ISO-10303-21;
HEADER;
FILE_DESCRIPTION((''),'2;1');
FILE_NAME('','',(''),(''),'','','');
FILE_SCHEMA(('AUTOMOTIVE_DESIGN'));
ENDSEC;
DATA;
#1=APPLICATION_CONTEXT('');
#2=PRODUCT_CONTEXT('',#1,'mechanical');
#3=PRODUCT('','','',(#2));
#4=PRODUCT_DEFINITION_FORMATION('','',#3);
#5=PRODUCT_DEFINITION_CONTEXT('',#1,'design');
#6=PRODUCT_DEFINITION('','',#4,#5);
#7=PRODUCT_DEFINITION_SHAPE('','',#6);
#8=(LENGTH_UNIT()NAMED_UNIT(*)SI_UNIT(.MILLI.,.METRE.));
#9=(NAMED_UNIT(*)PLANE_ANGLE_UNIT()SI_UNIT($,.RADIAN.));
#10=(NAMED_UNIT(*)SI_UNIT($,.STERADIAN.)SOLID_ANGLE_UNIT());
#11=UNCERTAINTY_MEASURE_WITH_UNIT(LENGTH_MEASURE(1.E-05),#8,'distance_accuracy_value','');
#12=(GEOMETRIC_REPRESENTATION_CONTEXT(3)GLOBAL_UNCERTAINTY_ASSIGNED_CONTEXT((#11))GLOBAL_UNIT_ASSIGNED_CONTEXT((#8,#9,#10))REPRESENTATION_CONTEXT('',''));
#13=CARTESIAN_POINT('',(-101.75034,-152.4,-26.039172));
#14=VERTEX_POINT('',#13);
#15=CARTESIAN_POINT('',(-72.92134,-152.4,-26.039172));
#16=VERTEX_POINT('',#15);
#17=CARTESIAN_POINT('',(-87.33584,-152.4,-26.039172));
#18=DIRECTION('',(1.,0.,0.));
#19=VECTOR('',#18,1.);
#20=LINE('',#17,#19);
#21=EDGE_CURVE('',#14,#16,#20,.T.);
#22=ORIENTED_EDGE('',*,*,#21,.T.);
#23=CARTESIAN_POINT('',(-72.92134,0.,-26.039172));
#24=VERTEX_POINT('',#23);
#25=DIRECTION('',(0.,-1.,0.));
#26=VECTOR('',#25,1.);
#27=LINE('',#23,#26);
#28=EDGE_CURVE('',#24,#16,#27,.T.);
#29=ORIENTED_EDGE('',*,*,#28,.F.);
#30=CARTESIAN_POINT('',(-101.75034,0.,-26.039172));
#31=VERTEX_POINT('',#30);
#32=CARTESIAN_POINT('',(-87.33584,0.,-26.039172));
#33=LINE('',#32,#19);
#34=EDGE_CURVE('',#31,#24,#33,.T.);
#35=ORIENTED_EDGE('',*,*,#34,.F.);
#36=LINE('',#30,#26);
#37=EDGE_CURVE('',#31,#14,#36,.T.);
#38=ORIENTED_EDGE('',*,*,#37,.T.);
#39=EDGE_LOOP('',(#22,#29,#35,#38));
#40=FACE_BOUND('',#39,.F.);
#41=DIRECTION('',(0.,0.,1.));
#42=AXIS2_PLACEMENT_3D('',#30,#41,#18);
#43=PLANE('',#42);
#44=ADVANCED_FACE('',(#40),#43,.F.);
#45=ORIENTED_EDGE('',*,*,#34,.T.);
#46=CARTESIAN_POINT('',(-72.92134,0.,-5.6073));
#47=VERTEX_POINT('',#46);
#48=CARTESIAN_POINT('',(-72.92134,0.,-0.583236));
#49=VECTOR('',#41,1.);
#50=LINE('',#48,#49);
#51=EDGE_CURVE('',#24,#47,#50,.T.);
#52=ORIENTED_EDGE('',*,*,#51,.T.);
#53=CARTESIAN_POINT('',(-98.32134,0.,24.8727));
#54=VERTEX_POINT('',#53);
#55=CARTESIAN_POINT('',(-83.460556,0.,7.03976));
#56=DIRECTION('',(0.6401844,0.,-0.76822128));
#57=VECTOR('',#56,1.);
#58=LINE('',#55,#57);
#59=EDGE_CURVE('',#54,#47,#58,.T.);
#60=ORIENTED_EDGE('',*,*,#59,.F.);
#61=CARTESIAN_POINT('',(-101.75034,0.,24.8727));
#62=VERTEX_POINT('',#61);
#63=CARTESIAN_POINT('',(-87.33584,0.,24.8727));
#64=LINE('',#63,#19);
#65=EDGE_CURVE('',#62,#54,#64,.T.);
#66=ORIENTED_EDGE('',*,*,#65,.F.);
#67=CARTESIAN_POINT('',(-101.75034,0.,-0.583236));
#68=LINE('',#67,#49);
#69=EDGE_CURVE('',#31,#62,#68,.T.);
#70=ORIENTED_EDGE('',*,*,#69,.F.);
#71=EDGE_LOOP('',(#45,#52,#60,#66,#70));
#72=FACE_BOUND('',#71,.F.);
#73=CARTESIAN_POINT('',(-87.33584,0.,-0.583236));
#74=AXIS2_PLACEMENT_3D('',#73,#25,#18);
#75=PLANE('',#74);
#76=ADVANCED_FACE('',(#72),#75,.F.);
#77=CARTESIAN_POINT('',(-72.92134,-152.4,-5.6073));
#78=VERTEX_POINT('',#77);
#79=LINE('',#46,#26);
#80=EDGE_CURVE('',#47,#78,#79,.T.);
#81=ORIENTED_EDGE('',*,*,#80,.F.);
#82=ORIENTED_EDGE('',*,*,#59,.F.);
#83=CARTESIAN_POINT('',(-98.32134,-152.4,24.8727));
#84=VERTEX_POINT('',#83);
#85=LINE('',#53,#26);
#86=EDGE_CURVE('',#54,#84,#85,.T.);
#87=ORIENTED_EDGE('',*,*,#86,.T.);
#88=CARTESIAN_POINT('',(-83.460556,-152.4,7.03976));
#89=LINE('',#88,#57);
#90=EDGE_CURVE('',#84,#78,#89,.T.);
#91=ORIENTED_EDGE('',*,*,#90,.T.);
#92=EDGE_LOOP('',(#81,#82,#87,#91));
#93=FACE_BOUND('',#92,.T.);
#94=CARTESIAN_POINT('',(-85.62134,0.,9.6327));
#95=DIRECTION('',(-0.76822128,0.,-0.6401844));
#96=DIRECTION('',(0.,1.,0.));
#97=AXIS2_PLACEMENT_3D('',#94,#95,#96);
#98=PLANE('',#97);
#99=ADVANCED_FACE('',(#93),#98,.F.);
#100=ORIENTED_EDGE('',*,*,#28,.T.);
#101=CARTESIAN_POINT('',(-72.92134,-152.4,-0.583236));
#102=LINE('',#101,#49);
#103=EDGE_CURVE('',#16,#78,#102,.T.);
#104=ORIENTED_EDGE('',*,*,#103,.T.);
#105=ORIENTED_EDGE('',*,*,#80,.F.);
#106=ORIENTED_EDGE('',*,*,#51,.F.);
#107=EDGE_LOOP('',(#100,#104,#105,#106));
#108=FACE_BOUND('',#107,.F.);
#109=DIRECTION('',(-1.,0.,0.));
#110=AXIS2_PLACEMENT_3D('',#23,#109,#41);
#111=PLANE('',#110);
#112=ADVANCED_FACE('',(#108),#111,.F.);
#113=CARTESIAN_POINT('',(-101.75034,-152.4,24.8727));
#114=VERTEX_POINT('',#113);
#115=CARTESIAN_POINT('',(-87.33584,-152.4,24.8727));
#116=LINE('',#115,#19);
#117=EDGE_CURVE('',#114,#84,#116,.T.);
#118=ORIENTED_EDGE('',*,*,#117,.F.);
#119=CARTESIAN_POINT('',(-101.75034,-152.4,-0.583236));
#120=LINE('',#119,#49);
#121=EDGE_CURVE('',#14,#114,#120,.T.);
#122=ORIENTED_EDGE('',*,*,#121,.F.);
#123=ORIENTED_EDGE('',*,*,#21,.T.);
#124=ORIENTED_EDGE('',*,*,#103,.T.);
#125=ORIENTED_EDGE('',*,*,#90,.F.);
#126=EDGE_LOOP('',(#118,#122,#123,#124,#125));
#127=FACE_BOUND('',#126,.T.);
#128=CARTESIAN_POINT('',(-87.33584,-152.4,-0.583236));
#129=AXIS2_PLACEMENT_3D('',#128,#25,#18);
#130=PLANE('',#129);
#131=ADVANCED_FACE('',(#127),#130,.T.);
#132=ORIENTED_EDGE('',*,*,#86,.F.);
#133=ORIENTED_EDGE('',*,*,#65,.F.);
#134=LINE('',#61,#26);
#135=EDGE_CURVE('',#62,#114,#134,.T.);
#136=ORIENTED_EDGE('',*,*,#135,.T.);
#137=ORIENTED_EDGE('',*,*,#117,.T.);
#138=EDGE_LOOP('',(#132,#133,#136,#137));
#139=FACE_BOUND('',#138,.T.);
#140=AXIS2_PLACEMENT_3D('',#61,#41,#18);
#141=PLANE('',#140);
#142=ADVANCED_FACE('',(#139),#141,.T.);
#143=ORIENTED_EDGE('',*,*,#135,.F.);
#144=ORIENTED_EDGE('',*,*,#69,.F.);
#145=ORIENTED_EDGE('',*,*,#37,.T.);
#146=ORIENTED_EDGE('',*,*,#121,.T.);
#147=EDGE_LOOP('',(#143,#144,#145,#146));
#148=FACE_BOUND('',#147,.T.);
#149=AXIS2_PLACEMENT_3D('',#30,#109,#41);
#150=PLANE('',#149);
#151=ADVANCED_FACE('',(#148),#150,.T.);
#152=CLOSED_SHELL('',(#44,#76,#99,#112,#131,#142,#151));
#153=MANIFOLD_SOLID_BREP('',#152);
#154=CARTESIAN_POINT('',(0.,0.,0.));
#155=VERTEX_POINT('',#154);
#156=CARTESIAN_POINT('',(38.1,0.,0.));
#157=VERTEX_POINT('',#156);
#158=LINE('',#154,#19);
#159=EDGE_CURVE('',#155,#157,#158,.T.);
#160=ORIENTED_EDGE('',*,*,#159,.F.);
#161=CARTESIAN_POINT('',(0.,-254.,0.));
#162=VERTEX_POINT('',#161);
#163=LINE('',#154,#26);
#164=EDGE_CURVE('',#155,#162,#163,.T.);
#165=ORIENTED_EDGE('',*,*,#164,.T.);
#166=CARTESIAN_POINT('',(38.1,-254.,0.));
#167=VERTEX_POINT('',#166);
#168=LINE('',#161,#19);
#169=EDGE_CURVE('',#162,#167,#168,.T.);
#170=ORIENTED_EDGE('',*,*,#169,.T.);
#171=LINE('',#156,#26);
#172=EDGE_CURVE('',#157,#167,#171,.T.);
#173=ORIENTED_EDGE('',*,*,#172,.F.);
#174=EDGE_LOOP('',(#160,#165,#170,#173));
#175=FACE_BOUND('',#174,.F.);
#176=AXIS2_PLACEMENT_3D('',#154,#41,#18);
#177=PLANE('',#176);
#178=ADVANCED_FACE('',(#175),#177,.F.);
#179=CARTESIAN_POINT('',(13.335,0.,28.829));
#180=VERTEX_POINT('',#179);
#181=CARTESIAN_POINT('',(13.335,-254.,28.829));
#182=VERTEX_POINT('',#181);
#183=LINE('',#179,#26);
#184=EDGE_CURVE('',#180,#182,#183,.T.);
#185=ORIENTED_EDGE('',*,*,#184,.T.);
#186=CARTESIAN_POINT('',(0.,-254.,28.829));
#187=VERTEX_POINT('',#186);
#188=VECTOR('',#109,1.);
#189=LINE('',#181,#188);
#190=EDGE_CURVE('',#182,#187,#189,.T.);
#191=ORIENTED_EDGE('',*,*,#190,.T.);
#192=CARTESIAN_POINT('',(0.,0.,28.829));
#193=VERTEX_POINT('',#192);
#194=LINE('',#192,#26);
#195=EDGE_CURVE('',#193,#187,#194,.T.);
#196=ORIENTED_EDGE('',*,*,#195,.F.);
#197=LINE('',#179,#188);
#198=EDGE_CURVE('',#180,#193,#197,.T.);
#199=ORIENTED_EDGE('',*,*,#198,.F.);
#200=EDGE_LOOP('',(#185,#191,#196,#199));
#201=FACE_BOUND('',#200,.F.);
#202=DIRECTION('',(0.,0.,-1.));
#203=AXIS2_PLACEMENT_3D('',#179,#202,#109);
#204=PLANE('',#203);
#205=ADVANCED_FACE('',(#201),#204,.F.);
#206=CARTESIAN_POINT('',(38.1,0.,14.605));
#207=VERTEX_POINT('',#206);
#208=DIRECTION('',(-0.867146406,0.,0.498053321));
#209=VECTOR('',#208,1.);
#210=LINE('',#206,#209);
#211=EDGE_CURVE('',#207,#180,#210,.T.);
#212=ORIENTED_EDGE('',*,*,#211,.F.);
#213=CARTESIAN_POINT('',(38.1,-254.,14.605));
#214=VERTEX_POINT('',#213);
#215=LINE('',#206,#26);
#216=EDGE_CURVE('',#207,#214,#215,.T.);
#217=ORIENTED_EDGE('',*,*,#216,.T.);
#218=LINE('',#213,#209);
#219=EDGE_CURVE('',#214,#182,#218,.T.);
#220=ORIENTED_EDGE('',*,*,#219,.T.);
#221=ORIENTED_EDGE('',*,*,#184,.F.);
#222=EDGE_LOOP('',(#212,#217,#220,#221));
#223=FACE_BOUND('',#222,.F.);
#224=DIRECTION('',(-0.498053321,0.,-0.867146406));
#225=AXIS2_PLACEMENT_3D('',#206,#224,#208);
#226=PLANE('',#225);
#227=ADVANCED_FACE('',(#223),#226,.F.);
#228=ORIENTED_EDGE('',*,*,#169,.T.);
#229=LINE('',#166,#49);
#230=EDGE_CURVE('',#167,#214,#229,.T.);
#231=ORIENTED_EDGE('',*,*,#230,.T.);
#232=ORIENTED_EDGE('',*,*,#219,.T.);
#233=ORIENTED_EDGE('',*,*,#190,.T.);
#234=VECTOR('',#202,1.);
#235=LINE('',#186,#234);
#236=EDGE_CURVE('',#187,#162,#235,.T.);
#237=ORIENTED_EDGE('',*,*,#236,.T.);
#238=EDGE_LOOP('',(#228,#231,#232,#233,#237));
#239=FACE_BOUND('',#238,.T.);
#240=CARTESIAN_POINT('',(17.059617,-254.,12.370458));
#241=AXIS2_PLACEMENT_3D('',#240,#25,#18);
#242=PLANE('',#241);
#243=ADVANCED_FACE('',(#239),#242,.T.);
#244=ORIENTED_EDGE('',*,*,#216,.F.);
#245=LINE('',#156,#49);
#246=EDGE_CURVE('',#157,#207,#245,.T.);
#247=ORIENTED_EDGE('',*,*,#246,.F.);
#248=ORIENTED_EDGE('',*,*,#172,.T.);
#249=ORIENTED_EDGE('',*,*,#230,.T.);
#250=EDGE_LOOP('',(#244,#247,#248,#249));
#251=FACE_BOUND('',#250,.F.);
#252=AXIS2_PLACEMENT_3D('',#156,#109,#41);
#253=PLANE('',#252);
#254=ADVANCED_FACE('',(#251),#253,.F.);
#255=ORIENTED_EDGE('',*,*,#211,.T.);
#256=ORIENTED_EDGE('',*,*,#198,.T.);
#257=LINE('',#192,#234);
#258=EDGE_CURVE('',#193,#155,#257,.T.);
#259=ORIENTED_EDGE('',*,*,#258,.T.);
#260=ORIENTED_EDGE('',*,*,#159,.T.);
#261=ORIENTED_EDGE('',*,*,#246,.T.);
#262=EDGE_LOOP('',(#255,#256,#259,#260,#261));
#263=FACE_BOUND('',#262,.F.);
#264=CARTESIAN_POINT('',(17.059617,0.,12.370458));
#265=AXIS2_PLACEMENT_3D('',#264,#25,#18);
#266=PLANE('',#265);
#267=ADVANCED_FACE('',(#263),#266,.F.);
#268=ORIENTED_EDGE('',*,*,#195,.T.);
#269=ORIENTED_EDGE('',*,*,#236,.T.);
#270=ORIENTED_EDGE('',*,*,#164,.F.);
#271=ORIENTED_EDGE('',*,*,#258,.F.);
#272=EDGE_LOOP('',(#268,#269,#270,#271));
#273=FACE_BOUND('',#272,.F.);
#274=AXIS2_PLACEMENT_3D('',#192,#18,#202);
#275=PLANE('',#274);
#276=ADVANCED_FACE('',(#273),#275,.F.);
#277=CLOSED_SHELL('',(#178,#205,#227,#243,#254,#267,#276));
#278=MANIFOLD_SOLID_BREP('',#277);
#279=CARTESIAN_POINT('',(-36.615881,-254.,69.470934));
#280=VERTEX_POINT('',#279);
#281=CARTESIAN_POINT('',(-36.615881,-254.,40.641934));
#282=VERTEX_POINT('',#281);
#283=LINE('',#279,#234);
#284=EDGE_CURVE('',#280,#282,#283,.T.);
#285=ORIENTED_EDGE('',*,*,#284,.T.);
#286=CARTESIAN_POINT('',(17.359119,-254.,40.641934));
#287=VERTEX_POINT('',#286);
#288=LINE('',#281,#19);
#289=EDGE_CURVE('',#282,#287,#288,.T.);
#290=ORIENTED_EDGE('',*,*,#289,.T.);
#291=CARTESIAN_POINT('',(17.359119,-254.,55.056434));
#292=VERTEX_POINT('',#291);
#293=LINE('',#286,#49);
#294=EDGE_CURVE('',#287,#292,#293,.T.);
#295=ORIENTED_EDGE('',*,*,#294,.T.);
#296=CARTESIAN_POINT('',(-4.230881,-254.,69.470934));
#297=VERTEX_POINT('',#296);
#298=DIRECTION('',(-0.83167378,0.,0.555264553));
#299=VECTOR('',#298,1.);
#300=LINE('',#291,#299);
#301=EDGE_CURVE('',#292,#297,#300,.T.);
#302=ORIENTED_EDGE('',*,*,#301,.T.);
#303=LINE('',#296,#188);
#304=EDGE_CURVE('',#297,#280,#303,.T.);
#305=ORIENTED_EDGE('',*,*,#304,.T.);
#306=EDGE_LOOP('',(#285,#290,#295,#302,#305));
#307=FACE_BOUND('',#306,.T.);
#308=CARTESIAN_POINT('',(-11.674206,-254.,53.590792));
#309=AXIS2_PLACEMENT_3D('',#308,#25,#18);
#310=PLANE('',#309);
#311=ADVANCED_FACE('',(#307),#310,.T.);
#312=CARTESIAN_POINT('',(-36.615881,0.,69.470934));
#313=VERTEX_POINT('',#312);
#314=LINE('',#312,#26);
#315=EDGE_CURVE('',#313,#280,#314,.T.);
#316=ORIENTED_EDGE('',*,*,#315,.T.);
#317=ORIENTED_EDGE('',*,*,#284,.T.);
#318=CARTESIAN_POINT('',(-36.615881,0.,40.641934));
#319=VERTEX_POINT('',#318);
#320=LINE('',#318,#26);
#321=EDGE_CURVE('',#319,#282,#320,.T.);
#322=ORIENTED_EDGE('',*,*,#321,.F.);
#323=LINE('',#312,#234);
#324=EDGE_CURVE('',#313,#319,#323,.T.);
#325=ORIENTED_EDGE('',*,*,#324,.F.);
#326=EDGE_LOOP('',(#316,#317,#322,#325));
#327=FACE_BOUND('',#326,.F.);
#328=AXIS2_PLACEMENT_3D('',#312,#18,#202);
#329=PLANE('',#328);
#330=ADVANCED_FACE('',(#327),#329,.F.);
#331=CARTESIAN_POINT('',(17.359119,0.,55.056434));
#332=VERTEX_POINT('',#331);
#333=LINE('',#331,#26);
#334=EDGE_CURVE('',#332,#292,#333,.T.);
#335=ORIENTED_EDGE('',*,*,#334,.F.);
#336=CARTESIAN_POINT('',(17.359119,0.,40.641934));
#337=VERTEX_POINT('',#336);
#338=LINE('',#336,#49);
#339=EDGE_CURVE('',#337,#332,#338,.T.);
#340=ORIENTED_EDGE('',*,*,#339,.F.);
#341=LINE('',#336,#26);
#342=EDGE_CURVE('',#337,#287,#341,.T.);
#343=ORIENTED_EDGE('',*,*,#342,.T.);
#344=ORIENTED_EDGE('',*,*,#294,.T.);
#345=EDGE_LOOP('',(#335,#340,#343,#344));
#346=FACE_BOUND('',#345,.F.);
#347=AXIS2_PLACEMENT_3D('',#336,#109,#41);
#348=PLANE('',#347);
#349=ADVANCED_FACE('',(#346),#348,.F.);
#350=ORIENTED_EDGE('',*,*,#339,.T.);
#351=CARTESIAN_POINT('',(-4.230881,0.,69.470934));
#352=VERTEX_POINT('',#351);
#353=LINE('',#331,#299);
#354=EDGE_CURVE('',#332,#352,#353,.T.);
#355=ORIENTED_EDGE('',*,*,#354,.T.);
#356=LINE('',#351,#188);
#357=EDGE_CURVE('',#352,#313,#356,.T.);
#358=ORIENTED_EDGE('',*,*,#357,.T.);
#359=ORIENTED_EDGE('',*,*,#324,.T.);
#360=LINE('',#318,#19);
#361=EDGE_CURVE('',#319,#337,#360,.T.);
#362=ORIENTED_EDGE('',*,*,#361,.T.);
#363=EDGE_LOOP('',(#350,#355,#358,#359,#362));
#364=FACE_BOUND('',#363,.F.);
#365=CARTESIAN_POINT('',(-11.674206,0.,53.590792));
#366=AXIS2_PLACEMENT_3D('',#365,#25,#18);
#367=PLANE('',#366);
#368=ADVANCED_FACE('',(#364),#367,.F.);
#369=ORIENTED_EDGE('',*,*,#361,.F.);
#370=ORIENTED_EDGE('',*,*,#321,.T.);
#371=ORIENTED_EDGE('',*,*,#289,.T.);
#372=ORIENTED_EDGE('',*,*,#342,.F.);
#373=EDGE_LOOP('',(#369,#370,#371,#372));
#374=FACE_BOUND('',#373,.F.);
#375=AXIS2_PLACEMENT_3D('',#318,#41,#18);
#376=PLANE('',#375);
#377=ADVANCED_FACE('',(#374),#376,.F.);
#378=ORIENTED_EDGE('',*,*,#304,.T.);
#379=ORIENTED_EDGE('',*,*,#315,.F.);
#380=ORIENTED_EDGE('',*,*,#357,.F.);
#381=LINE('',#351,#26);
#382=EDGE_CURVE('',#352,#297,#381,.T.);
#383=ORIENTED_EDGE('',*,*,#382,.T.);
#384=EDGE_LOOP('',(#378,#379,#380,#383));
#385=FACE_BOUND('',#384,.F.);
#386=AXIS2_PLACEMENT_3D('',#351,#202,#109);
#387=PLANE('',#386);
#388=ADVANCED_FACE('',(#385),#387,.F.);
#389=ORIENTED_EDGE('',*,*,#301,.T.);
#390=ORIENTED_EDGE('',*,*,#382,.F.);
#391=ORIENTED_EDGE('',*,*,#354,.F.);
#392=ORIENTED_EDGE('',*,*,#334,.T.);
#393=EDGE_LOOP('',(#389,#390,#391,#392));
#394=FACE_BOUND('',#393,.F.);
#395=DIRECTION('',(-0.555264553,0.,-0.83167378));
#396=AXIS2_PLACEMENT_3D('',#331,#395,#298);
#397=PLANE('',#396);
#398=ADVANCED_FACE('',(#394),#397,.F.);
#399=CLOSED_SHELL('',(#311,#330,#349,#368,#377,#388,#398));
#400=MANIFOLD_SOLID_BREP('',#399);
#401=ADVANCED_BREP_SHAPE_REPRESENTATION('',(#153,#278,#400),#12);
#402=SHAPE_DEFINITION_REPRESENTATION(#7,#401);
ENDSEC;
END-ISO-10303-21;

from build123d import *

# Parameters (mm, degrees)
F1_DEPTH = 254
F3_DEPTH = 254
F4_W     = 28.829
F4_H     = 50.9118726689
F5_DEPTH = 152.4
F6_SIZE2 = 30.48
F6_SIZE  = 25.4


with BuildPart() as f1:
    # F0 (on Front) → F1 (new body)
    with BuildSketch(Plane.XZ):
        Polygon((0, 28.829), (0, 0), (38.1, 0), (38.1, 14.605), (13.335, 28.829), align=None)
    extrude(amount=F1_DEPTH)


with BuildPart() as f3:
    # F2 (on Front) → F3 (new body)
    with BuildSketch(Plane.XZ):
        Polygon((-4.2308812982, 69.4709341247), (-36.6158812982, 69.4709341247), (-36.6158812982, 40.6419341247), (17.3591187018, 40.6419341247), (17.3591187018, 55.0564341247), align=None)
    extrude(amount=F3_DEPTH)


with BuildPart() as f5:
    # F4 (on Front) → F5 (new body)
    with BuildSketch(Plane.XZ):
        with Locations((-87.3358398676, -0.5832361057)):
            Rectangle(F4_W, F4_H)
    extrude(amount=F5_DEPTH)

    # F6
    f6_edges = [f5.edges().sort_by_distance(p)[0] for p in [
        (-72.92134, -76.2, 24.8727),
    ]]
    f6_side = f5.faces().sort_by_distance((-87.33584, -76.2, 24.8727))[0]
    chamfer(f6_edges, length=F6_SIZE, length2=F6_SIZE2, reference=f6_side)


solid = Compound([f1.part, f3.part, f5.part])
